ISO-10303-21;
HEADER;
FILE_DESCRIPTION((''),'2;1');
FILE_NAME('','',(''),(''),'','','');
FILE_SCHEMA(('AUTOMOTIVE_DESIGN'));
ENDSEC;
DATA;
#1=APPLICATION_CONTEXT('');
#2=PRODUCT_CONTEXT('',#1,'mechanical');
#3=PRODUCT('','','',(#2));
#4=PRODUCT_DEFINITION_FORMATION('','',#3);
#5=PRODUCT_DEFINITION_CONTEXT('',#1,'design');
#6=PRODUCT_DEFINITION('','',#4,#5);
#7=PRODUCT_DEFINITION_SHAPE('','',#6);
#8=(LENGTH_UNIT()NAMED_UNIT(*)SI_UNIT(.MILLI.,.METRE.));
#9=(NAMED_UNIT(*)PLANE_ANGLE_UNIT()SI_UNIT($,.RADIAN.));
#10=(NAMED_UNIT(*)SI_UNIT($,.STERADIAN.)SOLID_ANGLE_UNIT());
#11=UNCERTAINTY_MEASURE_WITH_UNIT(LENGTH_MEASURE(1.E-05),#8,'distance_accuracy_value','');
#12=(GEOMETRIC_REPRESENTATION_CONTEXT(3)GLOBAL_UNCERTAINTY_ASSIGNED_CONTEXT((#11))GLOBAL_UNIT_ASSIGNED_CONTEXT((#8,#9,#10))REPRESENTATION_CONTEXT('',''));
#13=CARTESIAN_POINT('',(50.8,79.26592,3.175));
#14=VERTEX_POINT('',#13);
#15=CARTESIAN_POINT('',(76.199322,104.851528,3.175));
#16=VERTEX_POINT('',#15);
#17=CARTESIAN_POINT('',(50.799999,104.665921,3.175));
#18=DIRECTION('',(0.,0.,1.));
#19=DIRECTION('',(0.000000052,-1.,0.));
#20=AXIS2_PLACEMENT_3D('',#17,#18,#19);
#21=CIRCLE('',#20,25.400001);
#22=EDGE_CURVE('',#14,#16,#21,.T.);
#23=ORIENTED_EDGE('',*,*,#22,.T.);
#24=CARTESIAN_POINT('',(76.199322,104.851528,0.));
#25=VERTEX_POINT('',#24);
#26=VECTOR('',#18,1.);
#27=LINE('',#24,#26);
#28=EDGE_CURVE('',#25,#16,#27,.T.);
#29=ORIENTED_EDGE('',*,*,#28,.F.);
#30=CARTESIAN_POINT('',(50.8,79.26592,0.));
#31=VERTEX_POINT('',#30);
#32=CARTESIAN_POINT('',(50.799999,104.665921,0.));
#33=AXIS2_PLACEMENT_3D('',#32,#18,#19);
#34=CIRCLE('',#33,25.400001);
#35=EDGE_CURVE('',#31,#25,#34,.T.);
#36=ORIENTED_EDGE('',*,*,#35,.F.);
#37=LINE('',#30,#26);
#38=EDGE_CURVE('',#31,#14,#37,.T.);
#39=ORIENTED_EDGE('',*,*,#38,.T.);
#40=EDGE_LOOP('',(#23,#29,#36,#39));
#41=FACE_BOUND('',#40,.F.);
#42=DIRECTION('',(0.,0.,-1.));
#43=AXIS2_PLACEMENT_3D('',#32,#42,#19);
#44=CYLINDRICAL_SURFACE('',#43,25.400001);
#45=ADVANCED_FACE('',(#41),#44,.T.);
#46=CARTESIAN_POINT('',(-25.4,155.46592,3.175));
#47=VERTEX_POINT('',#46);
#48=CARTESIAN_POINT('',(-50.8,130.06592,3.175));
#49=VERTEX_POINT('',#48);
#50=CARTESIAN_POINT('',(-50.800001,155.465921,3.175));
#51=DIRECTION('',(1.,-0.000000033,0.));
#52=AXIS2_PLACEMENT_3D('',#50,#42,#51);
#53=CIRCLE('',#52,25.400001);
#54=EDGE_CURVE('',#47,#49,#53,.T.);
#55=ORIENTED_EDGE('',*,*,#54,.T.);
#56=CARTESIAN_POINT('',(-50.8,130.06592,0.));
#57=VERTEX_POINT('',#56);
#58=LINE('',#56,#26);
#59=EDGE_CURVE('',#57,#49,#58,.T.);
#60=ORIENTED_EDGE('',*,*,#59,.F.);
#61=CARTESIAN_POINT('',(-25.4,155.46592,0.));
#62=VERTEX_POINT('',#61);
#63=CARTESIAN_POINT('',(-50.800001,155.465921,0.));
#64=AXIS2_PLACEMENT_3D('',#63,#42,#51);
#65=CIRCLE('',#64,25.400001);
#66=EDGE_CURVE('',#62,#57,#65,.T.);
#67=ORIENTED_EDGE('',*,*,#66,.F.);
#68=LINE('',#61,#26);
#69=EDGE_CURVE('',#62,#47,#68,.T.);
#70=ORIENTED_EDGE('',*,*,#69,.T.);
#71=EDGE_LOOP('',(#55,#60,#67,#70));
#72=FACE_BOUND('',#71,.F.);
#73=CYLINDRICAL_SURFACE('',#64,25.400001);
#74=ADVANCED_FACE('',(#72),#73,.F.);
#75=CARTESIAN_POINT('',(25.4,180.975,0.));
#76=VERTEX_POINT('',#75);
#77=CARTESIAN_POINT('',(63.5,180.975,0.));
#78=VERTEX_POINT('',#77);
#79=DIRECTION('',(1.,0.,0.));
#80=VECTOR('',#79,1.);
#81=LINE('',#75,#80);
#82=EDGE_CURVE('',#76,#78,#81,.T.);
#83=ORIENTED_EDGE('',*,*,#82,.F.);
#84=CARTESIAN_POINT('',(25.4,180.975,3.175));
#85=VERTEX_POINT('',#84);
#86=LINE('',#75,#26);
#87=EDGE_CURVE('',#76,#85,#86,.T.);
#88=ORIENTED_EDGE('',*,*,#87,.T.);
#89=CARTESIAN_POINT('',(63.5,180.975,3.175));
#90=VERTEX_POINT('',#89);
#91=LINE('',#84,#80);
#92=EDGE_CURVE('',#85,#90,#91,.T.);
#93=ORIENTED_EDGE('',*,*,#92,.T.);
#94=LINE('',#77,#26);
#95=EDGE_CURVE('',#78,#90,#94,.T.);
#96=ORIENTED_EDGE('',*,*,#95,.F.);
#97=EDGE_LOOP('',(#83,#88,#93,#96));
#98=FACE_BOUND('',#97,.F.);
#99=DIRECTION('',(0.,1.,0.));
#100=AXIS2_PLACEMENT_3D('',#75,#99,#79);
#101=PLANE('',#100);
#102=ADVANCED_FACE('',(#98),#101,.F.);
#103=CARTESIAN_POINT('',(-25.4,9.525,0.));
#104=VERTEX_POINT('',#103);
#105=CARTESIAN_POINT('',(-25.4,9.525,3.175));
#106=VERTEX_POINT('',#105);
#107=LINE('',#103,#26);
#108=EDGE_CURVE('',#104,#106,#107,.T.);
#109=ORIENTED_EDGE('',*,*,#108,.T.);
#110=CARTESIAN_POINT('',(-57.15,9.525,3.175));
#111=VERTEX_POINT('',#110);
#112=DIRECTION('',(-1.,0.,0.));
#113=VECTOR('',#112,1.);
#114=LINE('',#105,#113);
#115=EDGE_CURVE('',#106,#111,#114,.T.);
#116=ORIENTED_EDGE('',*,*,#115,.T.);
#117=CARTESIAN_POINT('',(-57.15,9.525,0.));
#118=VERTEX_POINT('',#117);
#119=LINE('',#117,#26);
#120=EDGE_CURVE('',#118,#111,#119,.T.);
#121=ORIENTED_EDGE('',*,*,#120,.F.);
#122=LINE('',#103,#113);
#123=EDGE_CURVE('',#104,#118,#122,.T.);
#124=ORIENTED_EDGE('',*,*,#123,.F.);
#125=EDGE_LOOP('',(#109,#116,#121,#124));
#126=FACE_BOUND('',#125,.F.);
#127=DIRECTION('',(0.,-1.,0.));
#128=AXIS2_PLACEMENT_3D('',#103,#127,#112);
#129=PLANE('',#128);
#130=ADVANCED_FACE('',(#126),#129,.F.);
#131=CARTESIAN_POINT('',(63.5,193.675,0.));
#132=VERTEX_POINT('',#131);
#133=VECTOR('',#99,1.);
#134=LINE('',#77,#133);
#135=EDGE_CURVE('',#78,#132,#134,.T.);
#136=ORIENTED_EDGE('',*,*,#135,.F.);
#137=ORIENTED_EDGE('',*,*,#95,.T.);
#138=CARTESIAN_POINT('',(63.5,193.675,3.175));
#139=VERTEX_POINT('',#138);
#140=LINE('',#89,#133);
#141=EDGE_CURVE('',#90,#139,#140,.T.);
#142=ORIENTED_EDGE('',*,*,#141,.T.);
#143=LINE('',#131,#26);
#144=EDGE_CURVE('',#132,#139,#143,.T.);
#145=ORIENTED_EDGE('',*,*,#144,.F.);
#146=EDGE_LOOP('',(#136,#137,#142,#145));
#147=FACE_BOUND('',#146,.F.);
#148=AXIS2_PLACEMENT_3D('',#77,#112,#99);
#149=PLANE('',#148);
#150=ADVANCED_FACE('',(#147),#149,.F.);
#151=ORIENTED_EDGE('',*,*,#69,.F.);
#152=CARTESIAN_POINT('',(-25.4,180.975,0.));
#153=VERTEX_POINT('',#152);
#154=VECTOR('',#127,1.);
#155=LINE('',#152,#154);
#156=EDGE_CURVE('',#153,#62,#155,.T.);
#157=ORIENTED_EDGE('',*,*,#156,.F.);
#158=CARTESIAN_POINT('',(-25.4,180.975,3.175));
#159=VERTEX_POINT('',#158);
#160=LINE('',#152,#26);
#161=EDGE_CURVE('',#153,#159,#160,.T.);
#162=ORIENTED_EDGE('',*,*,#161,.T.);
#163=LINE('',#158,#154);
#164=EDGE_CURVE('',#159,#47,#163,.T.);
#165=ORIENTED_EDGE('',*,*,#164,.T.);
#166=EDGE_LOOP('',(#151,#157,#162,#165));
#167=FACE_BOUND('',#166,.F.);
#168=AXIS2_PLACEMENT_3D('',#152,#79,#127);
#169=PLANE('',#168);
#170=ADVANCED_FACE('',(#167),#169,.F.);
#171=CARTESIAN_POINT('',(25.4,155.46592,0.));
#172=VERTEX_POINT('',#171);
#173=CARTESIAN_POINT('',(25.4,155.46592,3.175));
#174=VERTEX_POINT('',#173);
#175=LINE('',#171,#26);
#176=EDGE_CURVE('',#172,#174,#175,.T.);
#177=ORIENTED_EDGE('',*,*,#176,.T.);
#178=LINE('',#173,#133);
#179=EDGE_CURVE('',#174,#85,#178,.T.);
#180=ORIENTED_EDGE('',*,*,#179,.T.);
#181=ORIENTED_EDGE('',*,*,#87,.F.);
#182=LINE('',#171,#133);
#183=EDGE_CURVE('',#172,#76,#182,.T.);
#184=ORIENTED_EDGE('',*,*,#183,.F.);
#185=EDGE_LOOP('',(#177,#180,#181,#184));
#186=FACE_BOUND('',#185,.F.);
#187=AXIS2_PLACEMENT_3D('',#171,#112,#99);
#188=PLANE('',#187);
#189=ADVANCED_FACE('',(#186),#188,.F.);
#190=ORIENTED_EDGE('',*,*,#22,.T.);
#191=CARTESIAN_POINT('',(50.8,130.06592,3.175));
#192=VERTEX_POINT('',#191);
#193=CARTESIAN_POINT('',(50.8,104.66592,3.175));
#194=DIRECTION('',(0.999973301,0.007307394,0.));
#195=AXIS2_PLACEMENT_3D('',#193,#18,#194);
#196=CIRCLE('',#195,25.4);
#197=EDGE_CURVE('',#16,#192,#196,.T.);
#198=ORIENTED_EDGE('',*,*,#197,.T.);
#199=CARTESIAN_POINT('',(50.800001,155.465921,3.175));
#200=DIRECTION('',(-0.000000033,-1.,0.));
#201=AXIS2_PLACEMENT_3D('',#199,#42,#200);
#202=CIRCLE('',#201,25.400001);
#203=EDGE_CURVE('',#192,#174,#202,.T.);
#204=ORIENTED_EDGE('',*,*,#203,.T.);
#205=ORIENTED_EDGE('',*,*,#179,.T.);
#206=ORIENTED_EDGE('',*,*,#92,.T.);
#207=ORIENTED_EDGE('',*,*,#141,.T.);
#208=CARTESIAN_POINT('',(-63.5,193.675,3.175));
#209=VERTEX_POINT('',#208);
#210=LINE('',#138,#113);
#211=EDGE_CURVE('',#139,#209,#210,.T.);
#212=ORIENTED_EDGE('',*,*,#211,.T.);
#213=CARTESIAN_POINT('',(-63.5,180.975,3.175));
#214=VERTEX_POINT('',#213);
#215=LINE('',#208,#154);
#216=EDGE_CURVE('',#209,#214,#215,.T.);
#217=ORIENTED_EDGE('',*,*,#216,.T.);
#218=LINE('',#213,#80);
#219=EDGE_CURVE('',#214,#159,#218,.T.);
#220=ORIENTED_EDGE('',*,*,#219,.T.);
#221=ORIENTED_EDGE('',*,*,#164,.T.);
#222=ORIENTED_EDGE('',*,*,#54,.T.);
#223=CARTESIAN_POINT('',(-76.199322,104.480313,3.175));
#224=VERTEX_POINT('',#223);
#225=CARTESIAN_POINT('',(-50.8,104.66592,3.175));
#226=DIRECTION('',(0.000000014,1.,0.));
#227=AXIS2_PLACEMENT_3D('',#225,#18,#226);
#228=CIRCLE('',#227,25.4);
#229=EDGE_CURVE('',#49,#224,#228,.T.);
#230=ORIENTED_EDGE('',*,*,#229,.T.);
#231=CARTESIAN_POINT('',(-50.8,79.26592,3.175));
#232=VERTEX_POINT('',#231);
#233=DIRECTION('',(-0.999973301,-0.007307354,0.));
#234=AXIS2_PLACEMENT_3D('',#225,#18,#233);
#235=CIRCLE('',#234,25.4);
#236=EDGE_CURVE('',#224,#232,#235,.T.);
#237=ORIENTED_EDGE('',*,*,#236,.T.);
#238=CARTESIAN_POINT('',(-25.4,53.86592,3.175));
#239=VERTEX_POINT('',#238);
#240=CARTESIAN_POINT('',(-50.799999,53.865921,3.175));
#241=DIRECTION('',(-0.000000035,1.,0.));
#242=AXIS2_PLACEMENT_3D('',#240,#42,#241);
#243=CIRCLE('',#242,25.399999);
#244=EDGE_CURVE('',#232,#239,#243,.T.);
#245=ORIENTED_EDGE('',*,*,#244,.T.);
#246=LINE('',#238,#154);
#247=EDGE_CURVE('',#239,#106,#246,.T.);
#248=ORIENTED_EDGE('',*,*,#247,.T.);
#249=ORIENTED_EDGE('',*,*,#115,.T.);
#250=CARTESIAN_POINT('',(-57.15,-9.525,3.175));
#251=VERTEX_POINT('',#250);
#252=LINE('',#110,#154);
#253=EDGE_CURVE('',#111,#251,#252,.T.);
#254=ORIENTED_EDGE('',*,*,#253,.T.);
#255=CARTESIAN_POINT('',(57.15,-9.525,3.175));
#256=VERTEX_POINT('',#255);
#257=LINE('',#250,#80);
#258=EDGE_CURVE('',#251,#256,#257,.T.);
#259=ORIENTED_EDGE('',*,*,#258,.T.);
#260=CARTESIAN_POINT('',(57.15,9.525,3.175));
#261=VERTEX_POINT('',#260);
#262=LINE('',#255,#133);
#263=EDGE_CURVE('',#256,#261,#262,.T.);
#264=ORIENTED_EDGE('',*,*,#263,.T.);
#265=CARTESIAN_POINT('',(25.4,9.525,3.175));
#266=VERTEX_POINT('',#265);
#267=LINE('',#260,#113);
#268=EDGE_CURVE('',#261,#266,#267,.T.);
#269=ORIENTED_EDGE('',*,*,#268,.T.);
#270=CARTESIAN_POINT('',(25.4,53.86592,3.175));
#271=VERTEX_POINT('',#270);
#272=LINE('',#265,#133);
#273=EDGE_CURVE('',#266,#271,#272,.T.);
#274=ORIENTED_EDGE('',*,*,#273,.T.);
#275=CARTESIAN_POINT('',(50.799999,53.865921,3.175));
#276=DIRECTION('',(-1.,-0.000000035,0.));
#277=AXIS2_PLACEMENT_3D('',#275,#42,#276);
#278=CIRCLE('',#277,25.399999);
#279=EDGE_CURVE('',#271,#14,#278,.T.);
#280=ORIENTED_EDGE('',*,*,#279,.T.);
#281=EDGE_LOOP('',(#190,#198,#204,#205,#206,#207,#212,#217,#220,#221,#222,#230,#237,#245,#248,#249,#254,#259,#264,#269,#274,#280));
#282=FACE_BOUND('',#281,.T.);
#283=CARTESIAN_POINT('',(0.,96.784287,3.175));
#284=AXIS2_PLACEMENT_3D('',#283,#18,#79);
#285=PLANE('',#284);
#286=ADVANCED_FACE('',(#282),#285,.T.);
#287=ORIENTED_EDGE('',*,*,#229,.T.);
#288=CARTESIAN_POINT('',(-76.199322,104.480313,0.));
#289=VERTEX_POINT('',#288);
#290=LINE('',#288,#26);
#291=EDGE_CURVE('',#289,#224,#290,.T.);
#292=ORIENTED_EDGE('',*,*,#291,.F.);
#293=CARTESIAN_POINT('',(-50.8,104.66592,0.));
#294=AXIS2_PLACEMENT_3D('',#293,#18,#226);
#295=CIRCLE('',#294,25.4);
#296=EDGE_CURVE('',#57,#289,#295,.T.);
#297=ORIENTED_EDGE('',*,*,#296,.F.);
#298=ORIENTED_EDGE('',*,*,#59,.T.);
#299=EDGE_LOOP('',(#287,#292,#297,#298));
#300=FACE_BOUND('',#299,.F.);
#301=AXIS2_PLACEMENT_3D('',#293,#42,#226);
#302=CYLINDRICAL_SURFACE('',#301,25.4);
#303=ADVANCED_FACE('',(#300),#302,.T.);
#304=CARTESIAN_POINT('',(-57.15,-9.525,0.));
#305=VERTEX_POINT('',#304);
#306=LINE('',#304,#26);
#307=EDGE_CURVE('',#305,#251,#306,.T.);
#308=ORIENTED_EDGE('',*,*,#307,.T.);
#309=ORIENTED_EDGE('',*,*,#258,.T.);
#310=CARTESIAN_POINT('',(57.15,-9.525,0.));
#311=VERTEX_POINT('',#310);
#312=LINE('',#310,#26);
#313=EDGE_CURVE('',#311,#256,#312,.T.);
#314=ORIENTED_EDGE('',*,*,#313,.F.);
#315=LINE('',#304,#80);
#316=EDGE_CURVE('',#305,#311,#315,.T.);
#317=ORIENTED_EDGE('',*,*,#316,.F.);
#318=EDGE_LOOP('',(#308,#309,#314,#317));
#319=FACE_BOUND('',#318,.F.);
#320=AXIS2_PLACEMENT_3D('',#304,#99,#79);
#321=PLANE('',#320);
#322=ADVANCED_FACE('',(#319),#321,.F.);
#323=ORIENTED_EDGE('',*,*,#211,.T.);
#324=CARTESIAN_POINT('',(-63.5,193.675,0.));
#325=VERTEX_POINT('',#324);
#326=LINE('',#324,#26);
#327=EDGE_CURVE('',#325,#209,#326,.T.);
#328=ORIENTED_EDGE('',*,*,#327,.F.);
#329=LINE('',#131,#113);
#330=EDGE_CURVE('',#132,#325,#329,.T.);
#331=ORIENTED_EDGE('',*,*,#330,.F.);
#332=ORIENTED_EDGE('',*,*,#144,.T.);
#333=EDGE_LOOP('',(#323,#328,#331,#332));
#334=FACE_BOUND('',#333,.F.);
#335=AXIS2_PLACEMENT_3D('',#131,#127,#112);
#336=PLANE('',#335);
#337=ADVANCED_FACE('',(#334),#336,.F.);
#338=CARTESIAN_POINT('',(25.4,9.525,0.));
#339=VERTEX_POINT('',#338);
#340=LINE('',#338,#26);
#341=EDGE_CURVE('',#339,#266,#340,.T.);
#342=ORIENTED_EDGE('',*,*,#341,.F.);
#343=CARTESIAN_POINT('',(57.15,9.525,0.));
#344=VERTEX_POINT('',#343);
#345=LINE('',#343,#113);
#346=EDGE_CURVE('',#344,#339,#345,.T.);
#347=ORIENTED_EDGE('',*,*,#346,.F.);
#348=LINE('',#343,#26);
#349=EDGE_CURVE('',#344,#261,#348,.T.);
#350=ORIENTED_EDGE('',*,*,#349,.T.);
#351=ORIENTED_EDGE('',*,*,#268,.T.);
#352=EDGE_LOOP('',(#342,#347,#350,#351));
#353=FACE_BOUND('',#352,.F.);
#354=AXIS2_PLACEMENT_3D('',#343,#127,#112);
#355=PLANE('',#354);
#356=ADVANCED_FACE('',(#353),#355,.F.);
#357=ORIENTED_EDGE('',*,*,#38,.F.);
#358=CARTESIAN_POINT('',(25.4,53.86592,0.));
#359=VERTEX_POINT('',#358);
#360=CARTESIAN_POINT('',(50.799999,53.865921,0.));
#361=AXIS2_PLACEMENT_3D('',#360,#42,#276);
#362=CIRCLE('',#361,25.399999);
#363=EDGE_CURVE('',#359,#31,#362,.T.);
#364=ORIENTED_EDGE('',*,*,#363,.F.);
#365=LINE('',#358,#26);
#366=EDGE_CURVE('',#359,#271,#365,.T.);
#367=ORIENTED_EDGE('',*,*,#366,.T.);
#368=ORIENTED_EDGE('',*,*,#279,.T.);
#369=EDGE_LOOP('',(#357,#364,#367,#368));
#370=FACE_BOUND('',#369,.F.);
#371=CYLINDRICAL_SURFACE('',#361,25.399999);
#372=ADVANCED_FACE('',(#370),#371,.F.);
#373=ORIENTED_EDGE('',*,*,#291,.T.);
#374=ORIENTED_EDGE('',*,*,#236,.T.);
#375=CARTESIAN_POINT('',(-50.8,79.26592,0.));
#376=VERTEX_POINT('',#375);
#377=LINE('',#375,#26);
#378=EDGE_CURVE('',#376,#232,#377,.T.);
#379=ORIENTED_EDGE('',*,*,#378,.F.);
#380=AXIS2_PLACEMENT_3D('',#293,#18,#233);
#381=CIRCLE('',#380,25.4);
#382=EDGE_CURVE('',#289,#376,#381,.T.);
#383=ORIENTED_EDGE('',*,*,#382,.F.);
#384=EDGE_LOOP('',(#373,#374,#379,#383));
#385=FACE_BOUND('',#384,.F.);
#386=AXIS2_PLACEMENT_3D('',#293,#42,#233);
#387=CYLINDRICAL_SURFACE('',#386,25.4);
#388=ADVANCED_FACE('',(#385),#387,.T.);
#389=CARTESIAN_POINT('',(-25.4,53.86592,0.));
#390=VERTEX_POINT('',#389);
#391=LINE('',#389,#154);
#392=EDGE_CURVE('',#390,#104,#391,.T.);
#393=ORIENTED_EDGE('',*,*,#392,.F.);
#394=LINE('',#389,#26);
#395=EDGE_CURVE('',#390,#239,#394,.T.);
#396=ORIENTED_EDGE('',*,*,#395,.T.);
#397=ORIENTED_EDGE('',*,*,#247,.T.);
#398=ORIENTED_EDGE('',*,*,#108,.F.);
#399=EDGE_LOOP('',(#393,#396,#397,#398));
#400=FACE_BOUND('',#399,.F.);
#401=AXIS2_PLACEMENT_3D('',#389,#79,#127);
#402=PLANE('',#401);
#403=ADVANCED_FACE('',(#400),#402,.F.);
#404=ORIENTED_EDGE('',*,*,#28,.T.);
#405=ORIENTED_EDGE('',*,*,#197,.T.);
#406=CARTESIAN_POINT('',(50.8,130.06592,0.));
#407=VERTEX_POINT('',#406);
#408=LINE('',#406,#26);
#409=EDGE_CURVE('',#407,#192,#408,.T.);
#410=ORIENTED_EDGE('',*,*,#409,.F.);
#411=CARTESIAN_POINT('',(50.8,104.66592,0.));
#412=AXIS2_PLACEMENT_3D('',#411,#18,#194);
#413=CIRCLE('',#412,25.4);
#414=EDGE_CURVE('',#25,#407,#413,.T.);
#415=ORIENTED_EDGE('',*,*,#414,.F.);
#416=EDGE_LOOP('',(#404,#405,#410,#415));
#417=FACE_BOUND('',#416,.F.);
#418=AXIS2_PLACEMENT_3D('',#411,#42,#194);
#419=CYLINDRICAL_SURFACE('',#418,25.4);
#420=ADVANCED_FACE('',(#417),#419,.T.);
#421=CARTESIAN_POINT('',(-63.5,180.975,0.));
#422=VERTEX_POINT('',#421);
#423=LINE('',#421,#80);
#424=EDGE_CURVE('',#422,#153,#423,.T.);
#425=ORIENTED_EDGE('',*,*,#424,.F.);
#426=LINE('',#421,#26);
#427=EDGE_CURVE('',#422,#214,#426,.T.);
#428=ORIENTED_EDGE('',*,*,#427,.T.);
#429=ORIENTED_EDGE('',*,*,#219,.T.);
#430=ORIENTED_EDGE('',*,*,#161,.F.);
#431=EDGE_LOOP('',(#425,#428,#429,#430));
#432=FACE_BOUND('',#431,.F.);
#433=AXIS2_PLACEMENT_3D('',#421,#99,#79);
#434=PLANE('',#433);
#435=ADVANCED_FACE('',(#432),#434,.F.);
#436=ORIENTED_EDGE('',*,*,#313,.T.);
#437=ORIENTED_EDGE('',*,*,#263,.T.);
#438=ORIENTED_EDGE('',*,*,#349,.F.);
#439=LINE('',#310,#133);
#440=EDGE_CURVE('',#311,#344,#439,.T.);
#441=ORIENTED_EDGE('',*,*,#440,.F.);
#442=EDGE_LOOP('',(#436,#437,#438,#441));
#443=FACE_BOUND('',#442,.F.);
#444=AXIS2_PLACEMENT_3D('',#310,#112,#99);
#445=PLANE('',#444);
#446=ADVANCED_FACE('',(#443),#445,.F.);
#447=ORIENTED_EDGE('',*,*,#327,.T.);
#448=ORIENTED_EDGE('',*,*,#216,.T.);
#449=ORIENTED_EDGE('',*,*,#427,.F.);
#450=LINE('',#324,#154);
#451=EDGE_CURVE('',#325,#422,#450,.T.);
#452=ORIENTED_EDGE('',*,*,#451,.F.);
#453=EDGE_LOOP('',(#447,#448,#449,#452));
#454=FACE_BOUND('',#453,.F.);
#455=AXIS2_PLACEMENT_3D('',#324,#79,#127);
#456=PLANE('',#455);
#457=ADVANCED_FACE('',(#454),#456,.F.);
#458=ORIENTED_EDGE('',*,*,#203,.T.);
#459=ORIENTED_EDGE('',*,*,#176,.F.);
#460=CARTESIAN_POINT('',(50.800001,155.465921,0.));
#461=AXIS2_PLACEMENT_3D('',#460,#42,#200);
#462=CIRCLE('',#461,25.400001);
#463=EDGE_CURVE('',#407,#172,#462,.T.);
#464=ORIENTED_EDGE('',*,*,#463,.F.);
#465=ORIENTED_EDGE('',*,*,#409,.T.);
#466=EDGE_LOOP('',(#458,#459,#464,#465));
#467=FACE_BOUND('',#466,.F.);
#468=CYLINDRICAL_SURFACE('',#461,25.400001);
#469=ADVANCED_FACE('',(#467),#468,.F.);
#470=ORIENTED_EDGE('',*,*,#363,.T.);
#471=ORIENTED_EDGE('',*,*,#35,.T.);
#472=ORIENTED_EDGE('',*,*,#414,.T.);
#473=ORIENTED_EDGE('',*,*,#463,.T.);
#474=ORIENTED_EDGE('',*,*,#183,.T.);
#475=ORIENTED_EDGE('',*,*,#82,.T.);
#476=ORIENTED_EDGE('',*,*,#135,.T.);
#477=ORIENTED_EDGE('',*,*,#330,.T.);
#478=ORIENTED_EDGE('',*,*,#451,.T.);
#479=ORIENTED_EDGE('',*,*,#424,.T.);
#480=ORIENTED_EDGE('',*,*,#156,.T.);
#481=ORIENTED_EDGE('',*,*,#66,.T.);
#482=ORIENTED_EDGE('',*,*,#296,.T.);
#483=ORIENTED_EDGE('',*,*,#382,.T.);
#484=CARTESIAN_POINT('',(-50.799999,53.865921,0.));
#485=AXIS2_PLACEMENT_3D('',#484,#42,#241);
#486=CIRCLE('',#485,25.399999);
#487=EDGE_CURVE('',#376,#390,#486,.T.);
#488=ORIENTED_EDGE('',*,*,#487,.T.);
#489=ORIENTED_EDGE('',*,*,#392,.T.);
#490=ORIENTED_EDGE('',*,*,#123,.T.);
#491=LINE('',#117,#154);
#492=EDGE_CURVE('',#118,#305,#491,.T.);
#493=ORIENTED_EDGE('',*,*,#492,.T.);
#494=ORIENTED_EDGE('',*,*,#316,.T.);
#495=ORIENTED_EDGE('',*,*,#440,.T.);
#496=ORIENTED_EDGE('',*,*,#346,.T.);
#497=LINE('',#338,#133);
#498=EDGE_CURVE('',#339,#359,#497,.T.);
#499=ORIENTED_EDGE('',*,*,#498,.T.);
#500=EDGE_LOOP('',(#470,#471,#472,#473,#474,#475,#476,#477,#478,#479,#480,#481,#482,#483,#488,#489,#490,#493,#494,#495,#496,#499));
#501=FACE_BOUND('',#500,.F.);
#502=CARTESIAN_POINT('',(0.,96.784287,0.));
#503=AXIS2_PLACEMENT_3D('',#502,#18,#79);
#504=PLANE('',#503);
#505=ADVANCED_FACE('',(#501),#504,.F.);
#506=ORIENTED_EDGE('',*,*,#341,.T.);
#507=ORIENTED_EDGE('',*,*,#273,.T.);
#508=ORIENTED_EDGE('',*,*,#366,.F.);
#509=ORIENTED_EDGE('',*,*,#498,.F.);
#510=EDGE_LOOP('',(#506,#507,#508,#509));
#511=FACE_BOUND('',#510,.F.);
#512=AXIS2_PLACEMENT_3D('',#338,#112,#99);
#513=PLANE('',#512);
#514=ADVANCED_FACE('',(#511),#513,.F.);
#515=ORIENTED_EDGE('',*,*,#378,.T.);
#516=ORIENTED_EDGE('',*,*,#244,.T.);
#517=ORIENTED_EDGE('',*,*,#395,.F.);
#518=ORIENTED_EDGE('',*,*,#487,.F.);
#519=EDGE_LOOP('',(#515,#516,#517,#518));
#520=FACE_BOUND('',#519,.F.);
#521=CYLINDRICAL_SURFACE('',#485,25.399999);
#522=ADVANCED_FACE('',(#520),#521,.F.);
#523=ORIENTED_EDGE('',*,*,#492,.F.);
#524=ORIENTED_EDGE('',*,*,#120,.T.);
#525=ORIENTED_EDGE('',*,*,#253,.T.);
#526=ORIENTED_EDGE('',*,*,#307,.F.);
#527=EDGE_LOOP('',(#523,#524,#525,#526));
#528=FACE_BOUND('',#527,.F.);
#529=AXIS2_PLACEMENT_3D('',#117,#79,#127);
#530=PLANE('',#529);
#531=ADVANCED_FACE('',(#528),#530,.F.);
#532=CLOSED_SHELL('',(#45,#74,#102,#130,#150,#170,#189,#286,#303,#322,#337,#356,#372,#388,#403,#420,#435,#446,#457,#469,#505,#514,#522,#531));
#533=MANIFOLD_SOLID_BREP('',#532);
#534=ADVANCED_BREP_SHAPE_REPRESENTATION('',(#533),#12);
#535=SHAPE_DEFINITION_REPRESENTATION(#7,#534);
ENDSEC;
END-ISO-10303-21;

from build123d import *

# Parameters (mm, degrees)
F1_DEPTH = 3.175


with BuildPart() as f1:
    # F0 (on Top) → F1 (new body)
    with BuildSketch(Plane.XY):
        with BuildLine():
            Line((-25.4, 53.86592), (-25.4, 9.525))
            Line((-25.4, 9.525), (-57.15, 9.525))
            Line((-57.15, 9.525), (-57.15, -9.525))
            Line((-57.15, -9.525), (57.15, -9.525))
            Line((57.15, -9.525), (57.15, 9.525))
            Line((57.15, 9.525), (25.4, 9.525))
            Line((25.4, 9.525), (25.4, 53.86592))
            ThreePointArc((25.4, 53.86592), (32.839488, 71.826433), (50.8, 79.26592))
            ThreePointArc((50.8, 79.26592), (68.826015, 86.771151), (76.199322, 104.851528))
            ThreePointArc((76.199322, 104.851528), (68.69477, 122.691935), (50.8, 130.06592))
            ThreePointArc((50.8, 130.06592), (32.839488, 137.505408), (25.4, 155.46592))
            Line((25.4, 155.46592), (25.4, 180.975))
            Line((25.4, 180.975), (63.5, 180.975))
            Line((63.5, 180.975), (63.5, 193.675))
            Line((63.5, 193.675), (-63.5, 193.675))
            Line((-63.5, 193.675), (-63.5, 180.975))
            Line((-63.5, 180.975), (-25.4, 180.975))
            Line((-25.4, 180.975), (-25.4, 155.46592))
            ThreePointArc((-25.4, 155.46592), (-32.839488, 137.505408), (-50.8, 130.06592))
            ThreePointArc((-50.8, 130.06592), (-68.826015, 122.56069), (-76.199322, 104.480313))
            ThreePointArc((-76.199322, 104.480313), (-68.69477, 86.639905), (-50.8, 79.26592))
            ThreePointArc((-50.8, 79.26592), (-32.839488, 71.826433), (-25.4, 53.86592))
        make_face()
    extrude(amount=F1_DEPTH)


solid = f1.part
